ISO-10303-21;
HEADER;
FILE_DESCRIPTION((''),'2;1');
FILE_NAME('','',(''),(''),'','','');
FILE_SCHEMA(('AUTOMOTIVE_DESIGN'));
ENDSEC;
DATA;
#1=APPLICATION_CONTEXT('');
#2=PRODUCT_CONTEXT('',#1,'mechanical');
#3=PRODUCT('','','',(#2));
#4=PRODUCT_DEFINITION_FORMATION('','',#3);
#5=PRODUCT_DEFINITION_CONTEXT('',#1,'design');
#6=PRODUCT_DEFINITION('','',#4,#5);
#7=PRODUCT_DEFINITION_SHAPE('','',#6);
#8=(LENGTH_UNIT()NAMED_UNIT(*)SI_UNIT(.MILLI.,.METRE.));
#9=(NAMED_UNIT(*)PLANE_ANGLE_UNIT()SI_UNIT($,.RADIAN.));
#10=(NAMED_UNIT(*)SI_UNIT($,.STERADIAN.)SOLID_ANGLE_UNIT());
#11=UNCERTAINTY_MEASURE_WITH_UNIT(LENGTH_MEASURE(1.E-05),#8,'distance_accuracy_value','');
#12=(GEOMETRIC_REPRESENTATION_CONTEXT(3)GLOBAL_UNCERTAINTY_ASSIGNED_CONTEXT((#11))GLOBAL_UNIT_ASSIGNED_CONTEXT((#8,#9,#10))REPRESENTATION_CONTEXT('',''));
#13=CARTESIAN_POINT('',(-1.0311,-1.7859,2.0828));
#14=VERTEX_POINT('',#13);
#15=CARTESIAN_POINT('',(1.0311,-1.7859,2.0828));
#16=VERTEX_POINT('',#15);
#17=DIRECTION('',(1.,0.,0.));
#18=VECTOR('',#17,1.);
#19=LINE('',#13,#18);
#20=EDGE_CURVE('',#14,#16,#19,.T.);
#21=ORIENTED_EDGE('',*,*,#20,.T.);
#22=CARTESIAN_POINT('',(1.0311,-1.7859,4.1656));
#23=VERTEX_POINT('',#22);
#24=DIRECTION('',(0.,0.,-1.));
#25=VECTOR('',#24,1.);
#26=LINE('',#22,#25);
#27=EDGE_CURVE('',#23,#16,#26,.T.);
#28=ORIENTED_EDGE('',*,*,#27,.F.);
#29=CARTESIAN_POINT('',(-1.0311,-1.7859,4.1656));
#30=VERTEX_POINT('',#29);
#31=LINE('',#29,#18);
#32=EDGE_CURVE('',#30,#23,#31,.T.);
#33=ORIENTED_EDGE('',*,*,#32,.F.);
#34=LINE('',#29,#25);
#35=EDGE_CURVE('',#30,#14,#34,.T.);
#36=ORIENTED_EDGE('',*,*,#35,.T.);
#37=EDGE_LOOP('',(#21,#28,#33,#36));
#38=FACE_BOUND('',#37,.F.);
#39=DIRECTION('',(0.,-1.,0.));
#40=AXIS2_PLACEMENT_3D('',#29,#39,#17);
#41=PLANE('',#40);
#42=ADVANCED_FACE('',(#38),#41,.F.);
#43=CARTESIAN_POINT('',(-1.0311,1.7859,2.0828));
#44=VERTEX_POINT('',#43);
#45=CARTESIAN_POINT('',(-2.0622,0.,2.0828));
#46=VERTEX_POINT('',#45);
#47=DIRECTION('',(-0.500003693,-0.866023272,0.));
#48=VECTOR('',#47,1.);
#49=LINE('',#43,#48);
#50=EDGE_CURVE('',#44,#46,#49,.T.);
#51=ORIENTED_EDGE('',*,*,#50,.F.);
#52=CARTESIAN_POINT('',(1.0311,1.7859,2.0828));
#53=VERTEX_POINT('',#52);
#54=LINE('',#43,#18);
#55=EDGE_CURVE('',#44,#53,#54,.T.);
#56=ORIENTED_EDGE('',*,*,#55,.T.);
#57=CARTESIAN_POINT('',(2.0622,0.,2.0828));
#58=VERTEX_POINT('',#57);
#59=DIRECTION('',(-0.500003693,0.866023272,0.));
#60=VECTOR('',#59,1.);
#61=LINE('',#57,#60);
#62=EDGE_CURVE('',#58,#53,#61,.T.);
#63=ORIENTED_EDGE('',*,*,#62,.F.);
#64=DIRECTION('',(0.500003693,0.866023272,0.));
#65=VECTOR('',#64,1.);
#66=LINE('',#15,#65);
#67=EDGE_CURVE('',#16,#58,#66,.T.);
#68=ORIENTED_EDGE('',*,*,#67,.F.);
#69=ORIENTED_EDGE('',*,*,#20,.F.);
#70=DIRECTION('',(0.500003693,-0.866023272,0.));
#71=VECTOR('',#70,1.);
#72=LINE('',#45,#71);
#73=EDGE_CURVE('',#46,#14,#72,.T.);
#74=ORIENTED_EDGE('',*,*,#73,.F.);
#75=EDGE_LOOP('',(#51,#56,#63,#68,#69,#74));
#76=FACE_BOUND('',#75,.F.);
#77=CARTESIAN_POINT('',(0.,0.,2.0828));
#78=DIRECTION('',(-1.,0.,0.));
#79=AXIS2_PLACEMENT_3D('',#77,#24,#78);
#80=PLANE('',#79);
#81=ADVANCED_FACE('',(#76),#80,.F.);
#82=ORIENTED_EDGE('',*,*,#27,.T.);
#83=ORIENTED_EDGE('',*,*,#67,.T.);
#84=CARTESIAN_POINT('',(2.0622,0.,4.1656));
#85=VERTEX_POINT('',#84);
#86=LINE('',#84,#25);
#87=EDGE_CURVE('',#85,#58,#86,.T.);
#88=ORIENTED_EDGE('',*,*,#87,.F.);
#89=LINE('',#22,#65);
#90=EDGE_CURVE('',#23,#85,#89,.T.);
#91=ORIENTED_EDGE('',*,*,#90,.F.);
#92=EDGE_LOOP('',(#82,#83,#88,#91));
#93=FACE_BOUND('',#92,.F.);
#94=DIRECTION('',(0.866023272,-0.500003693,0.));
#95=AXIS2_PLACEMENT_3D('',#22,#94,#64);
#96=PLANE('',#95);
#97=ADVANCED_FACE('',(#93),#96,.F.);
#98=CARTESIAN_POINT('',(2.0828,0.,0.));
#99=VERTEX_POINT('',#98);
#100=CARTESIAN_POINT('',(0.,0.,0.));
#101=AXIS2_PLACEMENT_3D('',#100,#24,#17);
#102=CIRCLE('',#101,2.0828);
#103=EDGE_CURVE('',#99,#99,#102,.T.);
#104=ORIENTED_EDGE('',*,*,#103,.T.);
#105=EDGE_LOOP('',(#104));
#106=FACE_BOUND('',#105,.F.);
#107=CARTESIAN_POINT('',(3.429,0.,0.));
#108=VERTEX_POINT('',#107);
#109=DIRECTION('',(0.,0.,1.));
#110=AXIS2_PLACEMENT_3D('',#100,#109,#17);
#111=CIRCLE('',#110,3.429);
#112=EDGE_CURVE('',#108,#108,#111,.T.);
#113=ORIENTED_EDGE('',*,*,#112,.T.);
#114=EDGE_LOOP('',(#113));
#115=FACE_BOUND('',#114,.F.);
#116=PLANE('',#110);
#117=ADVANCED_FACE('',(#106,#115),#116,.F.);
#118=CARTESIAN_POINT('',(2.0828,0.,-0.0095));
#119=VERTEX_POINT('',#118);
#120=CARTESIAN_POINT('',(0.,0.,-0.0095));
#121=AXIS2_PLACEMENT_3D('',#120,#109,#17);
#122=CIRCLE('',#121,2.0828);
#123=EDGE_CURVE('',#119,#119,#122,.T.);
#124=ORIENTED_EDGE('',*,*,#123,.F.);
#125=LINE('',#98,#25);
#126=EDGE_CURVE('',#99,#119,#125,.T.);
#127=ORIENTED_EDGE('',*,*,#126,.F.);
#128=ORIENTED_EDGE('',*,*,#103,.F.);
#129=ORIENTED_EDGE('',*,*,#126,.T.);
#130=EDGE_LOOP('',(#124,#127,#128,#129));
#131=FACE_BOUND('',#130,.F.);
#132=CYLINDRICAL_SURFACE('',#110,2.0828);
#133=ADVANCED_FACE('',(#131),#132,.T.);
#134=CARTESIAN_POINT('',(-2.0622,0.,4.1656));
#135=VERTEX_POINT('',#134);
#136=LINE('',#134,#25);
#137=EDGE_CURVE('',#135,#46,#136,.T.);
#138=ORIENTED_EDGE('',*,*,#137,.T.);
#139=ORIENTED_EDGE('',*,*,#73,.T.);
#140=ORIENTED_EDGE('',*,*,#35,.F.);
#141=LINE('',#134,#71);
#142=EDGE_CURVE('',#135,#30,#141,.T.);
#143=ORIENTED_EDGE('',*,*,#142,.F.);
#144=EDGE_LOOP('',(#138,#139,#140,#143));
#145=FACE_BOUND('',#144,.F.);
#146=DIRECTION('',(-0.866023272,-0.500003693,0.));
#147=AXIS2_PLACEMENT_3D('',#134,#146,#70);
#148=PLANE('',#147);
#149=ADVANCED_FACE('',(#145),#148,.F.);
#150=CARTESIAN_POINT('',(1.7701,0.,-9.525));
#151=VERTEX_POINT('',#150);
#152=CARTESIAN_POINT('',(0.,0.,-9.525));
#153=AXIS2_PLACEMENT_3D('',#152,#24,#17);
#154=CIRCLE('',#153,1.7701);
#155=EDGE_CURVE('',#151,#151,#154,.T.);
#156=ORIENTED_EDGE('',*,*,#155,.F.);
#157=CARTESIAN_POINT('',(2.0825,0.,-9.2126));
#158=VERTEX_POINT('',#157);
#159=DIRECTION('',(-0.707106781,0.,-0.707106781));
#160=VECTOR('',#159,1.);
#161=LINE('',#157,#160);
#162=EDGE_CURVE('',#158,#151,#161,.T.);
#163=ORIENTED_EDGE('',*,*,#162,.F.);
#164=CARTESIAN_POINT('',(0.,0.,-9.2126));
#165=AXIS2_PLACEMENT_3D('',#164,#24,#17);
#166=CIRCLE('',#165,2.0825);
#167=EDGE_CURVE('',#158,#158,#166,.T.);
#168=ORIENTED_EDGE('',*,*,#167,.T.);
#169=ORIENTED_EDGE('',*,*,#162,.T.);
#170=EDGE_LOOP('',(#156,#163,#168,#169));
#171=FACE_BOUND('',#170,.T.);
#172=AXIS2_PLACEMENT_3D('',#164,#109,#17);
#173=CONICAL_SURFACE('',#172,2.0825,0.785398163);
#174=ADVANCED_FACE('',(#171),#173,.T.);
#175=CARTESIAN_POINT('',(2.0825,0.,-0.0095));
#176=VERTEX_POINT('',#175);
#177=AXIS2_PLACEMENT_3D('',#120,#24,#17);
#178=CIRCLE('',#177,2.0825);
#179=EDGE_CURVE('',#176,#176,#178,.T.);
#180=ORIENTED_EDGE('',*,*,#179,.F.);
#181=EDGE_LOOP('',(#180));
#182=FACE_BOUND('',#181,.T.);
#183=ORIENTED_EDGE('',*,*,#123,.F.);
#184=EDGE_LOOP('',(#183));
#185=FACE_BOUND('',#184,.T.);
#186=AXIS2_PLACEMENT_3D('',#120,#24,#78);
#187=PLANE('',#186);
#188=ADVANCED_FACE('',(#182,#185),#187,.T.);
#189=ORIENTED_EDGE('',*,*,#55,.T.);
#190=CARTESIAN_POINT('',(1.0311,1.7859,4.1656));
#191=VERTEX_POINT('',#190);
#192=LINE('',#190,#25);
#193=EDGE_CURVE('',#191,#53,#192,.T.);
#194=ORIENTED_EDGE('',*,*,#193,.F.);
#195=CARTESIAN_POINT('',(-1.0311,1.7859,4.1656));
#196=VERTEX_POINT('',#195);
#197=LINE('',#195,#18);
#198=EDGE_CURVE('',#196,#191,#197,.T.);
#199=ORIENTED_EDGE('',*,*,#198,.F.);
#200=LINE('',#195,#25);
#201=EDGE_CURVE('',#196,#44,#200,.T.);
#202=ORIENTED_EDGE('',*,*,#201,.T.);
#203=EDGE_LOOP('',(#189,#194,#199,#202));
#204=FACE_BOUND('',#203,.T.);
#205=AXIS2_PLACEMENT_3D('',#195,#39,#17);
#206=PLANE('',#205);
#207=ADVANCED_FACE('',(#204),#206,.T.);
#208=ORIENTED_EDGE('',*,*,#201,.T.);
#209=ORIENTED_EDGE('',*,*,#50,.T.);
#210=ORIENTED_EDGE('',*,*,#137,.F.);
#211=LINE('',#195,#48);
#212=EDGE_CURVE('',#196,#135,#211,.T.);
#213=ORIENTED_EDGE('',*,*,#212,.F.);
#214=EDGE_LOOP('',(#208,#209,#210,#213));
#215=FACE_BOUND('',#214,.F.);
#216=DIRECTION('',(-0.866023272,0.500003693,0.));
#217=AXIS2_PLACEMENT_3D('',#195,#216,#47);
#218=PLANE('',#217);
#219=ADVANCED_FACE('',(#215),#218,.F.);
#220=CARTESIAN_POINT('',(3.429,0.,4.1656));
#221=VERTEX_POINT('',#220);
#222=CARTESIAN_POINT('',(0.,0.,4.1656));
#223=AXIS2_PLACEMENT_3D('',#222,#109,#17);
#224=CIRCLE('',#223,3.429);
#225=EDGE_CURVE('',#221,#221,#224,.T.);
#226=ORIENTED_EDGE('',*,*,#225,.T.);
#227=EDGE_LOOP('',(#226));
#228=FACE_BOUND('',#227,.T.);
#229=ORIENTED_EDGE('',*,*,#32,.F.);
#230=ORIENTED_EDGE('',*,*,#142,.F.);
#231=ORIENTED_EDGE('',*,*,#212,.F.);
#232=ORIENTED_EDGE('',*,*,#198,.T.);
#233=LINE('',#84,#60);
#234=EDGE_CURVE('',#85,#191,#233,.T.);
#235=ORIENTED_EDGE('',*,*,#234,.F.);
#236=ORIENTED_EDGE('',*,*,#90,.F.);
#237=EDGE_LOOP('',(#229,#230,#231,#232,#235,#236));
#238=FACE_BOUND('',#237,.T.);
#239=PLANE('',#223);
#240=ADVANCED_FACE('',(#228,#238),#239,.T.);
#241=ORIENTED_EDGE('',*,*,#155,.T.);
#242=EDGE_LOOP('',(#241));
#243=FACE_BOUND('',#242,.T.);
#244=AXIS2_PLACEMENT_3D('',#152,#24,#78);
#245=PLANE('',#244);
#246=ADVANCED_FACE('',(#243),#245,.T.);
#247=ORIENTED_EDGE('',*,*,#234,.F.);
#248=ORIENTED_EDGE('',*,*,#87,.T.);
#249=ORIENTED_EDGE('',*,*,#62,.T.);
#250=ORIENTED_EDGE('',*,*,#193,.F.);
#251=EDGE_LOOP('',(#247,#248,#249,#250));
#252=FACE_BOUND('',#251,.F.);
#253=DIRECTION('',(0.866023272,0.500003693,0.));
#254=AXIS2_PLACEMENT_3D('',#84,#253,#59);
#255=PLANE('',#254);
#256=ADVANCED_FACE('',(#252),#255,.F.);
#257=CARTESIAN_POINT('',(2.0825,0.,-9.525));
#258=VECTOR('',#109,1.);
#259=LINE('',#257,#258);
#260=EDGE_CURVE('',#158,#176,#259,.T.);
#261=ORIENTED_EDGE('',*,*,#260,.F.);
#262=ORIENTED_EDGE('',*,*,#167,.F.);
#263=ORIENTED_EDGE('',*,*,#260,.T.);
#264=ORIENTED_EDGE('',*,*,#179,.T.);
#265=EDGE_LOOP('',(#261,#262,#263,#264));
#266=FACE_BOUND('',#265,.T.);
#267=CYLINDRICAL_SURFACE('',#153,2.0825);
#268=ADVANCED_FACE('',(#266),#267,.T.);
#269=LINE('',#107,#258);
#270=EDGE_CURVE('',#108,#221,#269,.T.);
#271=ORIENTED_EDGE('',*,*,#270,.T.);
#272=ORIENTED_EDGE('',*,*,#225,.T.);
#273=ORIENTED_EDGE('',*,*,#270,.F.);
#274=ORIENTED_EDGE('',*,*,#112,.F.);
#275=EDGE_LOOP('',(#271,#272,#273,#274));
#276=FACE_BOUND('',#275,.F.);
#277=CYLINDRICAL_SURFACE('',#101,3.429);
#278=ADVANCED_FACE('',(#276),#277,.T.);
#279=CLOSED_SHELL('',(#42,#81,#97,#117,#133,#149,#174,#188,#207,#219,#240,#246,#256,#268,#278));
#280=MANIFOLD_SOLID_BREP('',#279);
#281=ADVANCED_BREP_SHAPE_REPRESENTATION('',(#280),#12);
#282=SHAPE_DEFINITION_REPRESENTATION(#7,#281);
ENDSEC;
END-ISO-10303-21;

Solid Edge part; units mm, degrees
sketch "Sketch1" plane through (0, 0, 0) normal (0, 0, 1) x (1, 0, 0)
  circle A0 centre (0, 0) radius 3.429
  dimension "D1" = 6.858
extrude "Protrusion1" add sketch "Sketch1" along normal blind 4.1656
sketch "Sketch2" plane through (0, 0, 0) normal (0, 0, -1) x (1, 0, 0)
  circle A0 centre (0, 0) radius 2.0828
extrude "Protrusion2" add sketch "Sketch2" along normal blind 9.525
sketch "Sketch3" plane through (0, 0, -9.525) normal (0, 0, -1) x (1, 0, 0)
  circle A0 centre (0, 0) radius 2.0825
extrude "Cutout1" cut sketch "Sketch3" against normal blind 9.5155 flip side to cut
chamfer "Chamfer_1" distance 0.3124 angle 45 1 edges at (-2.0825, 0, -9.525)
sketch "Sketch4" plane through (0, 0, 4.1656) normal (0, 0, 1) x (1, 0, 0)
  line L0 (-1.0311, 1.7859) -> (1.0311, 1.7859)
  line L1 (2.0622, 0) -> (1.0311, 1.7859)
  line L2 (1.0311, -1.7859) -> (2.0622, 0)
  line L3 (-1.0311, -1.7859) -> (1.0311, -1.7859)
  line L4 (-2.0622, 0) -> (-1.0311, -1.7859)
  line L5 (-1.0311, 1.7859) -> (-2.0622, 0)
  dimension "D1" = 3.5719
extrude "Cutout2" cut sketch "Sketch4" against normal blind 2.0828
properties part number "185676"
